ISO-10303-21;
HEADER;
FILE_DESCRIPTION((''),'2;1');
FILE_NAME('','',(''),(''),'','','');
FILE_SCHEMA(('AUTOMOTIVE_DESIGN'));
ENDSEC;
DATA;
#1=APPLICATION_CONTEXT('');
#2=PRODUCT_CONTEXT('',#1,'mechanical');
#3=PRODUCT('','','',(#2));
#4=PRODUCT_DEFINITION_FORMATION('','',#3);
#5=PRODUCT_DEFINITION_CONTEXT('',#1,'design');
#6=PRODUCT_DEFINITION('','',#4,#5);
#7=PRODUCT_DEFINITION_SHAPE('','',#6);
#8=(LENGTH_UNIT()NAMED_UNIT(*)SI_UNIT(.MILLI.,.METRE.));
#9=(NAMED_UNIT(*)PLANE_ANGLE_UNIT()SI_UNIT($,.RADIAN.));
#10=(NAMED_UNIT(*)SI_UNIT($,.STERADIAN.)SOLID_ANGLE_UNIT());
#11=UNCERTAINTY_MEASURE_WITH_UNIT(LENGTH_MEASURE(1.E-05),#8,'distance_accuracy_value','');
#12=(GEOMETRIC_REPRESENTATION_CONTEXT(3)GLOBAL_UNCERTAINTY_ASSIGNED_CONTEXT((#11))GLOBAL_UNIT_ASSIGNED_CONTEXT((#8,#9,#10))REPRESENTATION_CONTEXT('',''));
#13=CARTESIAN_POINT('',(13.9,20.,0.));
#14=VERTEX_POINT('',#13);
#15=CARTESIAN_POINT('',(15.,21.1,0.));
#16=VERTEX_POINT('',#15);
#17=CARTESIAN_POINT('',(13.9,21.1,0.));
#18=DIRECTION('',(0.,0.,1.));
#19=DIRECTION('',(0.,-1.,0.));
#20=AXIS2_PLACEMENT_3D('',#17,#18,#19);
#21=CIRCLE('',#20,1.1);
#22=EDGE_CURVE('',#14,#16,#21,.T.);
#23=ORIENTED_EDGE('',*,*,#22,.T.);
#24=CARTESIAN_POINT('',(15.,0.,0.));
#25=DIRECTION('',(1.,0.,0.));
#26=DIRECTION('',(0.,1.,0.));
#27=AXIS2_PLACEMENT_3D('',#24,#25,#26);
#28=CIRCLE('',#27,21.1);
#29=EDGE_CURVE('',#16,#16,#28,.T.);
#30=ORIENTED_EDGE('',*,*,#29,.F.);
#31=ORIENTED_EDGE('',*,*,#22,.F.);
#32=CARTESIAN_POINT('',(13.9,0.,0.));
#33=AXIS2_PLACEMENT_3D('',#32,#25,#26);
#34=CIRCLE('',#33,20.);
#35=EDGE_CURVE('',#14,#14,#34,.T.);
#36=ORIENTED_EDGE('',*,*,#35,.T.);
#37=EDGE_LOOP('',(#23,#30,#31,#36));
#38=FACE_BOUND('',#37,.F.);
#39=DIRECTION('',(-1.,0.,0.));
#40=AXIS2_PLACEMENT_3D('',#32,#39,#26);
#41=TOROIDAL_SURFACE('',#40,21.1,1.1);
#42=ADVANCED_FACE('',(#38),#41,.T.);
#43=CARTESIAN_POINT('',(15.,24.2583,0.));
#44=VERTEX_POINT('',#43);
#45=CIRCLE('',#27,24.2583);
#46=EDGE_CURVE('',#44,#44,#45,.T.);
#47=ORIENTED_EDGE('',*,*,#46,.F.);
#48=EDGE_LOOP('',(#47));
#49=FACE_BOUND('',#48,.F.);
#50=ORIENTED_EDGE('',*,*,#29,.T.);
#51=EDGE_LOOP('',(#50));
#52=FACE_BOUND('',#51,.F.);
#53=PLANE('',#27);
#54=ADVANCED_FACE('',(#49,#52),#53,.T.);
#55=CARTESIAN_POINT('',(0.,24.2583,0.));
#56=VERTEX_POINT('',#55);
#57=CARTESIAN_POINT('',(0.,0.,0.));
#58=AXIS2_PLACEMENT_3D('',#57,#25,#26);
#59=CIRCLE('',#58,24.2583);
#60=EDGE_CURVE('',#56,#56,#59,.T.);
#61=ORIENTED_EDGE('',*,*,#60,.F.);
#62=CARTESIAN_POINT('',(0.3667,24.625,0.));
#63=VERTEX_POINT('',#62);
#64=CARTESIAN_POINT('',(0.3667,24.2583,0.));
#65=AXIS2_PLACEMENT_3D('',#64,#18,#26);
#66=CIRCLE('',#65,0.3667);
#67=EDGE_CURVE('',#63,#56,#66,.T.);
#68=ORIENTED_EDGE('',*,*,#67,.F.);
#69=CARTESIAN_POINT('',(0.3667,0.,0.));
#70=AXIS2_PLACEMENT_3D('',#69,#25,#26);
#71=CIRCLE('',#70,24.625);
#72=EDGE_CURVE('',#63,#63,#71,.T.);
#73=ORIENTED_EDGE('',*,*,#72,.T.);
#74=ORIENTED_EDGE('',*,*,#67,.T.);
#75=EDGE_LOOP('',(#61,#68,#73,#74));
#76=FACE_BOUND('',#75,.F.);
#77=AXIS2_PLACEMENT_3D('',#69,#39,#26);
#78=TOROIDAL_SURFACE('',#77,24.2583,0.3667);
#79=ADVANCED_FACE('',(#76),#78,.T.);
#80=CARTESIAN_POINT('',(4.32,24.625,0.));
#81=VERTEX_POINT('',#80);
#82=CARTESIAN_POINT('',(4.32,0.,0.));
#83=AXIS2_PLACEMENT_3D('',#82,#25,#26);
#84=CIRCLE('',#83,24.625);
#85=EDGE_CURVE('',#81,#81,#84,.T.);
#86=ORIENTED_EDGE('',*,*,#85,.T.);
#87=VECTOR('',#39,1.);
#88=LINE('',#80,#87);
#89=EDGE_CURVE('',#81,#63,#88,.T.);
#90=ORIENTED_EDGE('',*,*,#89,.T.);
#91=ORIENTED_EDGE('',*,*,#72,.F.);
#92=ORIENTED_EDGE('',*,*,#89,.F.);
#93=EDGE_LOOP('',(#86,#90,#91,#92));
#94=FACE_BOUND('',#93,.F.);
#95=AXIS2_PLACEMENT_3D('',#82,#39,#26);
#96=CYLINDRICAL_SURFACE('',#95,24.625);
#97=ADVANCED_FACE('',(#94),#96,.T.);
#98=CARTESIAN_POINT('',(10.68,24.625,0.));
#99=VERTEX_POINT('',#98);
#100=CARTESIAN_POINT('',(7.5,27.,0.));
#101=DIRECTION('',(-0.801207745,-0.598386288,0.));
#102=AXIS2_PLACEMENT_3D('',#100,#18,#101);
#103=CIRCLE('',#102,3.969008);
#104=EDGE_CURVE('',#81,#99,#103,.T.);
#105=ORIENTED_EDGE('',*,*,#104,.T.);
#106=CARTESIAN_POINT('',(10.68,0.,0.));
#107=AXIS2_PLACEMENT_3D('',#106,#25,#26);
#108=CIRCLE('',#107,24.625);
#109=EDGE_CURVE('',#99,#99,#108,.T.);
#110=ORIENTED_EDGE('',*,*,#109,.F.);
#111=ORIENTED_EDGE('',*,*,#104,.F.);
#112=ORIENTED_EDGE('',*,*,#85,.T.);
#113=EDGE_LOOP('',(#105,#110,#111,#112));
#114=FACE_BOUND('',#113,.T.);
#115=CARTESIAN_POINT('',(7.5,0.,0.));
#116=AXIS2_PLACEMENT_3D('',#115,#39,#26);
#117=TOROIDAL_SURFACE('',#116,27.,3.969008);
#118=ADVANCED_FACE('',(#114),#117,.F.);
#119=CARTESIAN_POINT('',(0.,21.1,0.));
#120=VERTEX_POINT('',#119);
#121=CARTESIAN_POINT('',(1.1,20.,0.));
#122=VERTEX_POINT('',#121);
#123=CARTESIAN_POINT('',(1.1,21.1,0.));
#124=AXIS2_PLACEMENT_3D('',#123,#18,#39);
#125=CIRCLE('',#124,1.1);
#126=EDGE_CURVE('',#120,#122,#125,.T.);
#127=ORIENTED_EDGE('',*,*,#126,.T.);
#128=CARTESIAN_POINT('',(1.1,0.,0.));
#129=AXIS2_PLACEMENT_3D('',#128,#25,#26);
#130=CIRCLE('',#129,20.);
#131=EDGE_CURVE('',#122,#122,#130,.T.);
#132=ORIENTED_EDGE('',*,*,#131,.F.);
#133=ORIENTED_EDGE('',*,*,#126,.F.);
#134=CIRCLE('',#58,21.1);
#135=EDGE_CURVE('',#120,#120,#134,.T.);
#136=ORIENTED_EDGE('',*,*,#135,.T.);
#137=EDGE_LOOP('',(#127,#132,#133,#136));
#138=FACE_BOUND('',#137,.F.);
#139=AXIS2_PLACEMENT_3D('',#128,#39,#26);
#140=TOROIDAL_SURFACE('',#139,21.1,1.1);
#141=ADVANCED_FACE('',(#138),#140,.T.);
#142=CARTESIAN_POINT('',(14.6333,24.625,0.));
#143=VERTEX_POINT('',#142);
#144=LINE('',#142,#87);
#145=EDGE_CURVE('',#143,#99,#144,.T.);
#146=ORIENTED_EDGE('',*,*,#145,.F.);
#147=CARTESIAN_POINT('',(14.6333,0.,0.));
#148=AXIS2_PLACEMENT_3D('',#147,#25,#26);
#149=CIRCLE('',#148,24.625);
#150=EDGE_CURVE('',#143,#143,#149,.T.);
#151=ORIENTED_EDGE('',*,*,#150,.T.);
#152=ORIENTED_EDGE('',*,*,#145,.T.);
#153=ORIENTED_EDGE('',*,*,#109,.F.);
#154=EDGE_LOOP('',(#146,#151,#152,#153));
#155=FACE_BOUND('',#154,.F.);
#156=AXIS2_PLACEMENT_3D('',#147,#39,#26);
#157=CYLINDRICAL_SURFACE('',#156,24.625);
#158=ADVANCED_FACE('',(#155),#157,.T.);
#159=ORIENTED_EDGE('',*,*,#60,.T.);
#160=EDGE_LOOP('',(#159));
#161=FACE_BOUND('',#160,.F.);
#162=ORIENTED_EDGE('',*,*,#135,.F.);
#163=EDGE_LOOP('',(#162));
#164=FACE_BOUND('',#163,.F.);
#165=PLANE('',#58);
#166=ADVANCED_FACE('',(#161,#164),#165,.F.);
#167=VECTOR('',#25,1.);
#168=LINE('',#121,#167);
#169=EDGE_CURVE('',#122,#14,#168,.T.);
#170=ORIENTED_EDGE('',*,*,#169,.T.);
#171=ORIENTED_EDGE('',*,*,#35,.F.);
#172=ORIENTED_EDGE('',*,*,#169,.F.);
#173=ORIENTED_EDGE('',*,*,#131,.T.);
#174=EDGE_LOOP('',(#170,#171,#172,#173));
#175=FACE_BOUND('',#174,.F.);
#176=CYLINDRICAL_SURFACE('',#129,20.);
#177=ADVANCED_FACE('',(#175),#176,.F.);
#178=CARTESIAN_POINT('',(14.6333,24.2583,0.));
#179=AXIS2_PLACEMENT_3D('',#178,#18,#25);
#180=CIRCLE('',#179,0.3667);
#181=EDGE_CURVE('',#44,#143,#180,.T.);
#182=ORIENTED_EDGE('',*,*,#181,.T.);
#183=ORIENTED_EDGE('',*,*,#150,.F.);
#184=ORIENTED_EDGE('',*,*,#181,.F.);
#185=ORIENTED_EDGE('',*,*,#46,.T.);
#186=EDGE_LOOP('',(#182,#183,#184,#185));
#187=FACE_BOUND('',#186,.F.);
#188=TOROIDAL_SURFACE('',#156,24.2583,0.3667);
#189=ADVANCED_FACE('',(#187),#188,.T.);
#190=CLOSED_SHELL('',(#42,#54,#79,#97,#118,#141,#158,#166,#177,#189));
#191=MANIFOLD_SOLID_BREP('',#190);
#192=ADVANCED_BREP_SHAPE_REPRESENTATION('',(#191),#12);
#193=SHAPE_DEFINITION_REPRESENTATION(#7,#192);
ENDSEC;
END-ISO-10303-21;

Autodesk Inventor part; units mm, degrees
ref_plane "YZ Plane" through (0, 0, 0) normal (1, 0, 0) x (0, 1, 0)
ref_plane "XZ Plane" through (0, 0, 0) normal (0, 1, 0) x (-1, 0, 0)
ref_plane "XY Plane" through (0, 0, 0) normal (0, 0, 1) x (1, 0, 0)
sketch "Sketch_54" plane through (0, 0, 0) normal (0, 0, 1) x (1, 0, 0)
  line L0 (100, 0) -> (-100, 0)
  arc A0 (0, 21.1) -> (1.1, 20) centre (1.1, 21.1) ccw
  line L1 (1.1, 20) -> (13.9, 20)
  arc A1 (13.9, 20) -> (15, 21.1) centre (13.9, 21.1) ccw
  line L2 (15, 21.1) -> (15, 24.2583)
  arc A2 (15, 24.2583) -> (14.6333, 24.625) centre (14.6333, 24.2583) ccw
  line L3 (14.6333, 24.625) -> (10.68, 24.625)
  arc A3 (4.32, 24.625) -> (10.68, 24.625) centre (7.5, 27) ccw
  line L4 (4.32, 24.625) -> (0.3667, 24.625)
  arc A4 (0.3667, 24.625) -> (0, 24.2583) centre (0.3667, 24.2583) ccw
  line L5 (0, 24.2583) -> (0, 21.1)
revolve "Revolution1" add sketch "Sketch_54" angle 360 about axis through (100, 0, 0) along (1, 0, 0)
properties part number "6008_PART1"
